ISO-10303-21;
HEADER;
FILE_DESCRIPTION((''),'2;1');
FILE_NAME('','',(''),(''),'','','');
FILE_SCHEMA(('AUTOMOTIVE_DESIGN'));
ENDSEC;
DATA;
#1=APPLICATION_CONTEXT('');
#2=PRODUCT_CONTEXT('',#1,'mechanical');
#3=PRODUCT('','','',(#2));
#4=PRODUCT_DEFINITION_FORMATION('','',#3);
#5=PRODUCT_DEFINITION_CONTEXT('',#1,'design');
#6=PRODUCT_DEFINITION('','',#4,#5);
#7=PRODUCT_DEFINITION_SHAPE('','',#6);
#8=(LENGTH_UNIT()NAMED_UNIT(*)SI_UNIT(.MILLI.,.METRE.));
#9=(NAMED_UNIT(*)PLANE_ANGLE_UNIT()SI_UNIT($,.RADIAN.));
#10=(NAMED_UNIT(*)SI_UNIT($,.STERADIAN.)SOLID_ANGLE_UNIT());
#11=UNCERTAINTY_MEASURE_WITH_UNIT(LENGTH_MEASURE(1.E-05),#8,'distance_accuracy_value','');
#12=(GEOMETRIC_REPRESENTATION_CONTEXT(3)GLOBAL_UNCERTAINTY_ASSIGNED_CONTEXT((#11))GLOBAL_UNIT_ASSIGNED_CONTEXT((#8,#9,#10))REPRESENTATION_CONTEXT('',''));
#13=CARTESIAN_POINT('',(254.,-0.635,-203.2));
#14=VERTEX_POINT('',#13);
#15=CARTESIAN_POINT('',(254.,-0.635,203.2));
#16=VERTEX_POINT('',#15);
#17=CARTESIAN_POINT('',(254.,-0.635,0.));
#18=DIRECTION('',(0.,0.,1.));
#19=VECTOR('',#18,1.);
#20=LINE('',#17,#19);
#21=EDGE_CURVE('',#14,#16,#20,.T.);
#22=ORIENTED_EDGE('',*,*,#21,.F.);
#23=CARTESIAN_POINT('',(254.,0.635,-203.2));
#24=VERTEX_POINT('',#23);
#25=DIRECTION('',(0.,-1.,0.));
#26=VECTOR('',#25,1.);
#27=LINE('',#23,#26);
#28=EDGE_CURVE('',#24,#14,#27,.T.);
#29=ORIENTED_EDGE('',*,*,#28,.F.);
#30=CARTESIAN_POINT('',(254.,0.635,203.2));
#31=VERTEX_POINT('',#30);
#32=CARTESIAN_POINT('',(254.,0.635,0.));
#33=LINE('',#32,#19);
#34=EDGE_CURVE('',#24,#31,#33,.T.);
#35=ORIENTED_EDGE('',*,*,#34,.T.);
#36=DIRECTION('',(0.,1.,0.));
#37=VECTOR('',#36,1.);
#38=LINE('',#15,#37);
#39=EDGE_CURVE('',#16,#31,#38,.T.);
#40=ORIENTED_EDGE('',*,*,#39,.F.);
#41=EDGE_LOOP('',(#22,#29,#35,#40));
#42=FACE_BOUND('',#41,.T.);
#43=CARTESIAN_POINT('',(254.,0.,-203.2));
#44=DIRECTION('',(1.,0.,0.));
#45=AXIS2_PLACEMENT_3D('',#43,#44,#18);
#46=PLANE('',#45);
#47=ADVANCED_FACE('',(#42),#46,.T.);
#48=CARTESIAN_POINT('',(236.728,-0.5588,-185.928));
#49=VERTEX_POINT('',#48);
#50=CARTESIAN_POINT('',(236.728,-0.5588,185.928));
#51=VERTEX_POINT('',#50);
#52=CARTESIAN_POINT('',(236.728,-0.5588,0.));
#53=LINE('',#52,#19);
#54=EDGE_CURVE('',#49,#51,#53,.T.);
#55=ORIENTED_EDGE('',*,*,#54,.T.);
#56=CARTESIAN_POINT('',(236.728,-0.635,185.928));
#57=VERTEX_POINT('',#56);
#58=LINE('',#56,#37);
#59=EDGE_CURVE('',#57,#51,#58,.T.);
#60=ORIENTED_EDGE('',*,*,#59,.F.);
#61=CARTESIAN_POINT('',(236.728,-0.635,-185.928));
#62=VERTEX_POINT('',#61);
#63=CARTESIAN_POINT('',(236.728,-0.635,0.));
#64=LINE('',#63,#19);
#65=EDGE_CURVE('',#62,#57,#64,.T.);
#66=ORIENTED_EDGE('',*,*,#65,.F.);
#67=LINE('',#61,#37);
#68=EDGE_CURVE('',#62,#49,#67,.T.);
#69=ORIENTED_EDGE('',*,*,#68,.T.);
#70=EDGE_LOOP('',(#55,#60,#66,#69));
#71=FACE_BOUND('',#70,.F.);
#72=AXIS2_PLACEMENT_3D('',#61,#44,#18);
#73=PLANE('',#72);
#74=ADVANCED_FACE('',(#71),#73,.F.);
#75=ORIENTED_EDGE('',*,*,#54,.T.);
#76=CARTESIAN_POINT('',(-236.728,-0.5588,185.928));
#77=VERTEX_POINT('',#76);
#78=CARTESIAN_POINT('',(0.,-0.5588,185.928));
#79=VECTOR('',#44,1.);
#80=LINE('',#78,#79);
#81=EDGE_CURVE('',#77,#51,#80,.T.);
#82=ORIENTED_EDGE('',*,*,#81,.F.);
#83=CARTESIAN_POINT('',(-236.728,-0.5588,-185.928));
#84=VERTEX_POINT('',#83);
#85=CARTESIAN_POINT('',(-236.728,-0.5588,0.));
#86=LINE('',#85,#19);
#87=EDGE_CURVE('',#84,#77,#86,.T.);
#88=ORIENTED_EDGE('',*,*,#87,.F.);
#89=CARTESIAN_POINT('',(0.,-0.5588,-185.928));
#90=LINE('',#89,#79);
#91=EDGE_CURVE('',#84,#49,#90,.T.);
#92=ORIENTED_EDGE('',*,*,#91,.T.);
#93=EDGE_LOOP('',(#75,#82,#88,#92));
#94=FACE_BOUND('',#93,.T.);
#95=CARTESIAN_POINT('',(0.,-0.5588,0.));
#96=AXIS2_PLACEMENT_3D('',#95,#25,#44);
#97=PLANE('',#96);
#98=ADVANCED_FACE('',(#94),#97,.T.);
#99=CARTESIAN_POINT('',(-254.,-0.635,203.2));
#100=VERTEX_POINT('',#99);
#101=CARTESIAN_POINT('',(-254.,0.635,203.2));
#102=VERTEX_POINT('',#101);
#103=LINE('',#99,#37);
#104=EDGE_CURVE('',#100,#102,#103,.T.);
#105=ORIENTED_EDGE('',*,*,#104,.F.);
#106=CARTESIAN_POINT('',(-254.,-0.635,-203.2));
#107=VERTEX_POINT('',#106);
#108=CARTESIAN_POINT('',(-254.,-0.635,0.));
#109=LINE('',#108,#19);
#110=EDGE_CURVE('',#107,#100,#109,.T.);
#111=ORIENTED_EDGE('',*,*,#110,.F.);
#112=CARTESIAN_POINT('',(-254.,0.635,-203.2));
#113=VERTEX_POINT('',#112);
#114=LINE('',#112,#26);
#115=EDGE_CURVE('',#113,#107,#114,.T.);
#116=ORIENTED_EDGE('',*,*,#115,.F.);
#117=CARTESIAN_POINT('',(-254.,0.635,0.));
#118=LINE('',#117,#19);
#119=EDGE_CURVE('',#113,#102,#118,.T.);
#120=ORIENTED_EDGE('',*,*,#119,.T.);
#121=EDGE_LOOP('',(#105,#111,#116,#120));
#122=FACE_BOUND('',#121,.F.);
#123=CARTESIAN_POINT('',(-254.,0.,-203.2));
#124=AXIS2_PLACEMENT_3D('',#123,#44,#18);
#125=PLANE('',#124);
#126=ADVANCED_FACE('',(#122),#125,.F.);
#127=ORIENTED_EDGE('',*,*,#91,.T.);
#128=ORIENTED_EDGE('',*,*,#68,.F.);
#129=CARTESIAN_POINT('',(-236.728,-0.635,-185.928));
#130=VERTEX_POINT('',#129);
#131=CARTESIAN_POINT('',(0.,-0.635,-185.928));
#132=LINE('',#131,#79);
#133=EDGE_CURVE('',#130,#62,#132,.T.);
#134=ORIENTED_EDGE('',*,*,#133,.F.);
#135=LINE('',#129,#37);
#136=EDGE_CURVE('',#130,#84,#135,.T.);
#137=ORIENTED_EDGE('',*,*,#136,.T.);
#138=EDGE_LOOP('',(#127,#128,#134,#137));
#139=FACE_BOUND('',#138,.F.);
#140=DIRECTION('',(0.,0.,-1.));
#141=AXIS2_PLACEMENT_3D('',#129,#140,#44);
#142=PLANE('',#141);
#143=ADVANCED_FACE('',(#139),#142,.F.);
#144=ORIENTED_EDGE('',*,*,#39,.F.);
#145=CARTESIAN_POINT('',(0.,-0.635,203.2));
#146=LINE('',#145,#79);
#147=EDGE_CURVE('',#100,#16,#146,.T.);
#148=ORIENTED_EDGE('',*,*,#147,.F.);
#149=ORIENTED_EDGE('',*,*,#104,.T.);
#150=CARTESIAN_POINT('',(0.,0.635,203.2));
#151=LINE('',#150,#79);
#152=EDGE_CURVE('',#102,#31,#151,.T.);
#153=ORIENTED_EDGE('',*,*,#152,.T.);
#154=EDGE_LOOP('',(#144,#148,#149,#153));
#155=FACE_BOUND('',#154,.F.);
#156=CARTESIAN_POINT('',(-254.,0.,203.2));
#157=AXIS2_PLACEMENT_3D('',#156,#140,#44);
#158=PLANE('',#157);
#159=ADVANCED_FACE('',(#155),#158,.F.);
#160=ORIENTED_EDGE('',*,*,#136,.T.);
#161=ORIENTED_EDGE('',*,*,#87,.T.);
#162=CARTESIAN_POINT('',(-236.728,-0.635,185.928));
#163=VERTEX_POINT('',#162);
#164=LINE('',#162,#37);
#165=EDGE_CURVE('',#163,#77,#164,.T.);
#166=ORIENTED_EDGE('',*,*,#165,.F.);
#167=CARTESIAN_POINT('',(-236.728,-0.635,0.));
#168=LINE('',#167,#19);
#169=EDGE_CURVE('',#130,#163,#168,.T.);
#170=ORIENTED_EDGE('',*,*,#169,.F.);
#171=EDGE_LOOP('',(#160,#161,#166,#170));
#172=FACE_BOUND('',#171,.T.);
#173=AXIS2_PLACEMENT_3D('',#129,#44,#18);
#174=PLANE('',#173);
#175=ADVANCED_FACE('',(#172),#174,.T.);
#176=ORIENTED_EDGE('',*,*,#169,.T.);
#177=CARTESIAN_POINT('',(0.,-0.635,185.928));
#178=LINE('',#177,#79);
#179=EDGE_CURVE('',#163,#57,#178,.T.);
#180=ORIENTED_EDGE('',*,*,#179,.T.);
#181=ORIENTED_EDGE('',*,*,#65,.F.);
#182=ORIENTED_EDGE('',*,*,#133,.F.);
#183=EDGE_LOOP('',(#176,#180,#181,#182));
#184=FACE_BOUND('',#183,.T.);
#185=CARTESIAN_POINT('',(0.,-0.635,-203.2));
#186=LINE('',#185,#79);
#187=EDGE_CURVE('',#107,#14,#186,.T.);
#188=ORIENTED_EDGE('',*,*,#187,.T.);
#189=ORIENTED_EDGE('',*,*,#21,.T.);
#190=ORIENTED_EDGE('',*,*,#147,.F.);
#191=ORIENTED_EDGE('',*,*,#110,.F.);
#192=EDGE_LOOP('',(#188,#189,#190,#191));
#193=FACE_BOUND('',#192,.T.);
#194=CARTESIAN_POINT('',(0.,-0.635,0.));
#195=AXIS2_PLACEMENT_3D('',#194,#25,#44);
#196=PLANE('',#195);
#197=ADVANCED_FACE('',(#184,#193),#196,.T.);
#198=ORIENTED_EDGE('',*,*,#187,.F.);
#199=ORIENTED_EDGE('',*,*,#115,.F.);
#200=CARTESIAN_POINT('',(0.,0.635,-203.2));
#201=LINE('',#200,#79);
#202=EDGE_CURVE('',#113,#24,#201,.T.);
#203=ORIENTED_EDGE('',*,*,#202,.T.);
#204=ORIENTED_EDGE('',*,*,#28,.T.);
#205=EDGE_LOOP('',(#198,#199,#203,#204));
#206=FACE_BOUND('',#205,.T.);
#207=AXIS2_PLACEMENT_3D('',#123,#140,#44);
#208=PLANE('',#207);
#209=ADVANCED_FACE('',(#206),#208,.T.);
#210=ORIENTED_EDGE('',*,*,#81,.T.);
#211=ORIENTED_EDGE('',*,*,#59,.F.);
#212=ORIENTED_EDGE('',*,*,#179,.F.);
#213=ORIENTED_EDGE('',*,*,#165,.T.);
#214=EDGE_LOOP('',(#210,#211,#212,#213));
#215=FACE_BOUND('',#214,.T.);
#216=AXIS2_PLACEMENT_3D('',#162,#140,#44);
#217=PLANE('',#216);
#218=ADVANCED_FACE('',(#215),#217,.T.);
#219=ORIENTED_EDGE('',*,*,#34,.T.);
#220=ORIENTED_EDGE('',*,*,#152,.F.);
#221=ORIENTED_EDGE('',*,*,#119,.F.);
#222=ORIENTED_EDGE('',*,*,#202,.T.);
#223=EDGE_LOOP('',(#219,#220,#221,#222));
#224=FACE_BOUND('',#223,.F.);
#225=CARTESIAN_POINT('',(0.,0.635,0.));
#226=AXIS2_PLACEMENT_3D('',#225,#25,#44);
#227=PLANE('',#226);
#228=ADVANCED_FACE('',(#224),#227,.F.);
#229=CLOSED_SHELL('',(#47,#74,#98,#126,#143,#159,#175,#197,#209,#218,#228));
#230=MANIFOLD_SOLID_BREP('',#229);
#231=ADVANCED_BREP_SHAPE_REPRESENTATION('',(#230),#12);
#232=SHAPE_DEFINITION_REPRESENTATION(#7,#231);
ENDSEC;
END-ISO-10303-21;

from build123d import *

# Parameters (mm, degrees)
F0_W     = 508
F0_H     = 406.4
F1_DEPTH = 0.635
F2_W     = 473.456
F2_H     = 371.856
F3_DEPTH = 0.0762


with BuildPart() as f1:
    # F0 (on Front) → F1 (new body, symmetric)
    with BuildSketch(Plane.XZ):
        Rectangle(F0_W, F0_H)
    extrude(amount=F1_DEPTH, both=True)

    # F2 (on face) → F3 (cut)
    with BuildSketch(Plane.XZ.offset(0.635)):
        Rectangle(F2_W, F2_H)
    extrude(amount=-F3_DEPTH, mode=Mode.SUBTRACT)


solid = f1.part
